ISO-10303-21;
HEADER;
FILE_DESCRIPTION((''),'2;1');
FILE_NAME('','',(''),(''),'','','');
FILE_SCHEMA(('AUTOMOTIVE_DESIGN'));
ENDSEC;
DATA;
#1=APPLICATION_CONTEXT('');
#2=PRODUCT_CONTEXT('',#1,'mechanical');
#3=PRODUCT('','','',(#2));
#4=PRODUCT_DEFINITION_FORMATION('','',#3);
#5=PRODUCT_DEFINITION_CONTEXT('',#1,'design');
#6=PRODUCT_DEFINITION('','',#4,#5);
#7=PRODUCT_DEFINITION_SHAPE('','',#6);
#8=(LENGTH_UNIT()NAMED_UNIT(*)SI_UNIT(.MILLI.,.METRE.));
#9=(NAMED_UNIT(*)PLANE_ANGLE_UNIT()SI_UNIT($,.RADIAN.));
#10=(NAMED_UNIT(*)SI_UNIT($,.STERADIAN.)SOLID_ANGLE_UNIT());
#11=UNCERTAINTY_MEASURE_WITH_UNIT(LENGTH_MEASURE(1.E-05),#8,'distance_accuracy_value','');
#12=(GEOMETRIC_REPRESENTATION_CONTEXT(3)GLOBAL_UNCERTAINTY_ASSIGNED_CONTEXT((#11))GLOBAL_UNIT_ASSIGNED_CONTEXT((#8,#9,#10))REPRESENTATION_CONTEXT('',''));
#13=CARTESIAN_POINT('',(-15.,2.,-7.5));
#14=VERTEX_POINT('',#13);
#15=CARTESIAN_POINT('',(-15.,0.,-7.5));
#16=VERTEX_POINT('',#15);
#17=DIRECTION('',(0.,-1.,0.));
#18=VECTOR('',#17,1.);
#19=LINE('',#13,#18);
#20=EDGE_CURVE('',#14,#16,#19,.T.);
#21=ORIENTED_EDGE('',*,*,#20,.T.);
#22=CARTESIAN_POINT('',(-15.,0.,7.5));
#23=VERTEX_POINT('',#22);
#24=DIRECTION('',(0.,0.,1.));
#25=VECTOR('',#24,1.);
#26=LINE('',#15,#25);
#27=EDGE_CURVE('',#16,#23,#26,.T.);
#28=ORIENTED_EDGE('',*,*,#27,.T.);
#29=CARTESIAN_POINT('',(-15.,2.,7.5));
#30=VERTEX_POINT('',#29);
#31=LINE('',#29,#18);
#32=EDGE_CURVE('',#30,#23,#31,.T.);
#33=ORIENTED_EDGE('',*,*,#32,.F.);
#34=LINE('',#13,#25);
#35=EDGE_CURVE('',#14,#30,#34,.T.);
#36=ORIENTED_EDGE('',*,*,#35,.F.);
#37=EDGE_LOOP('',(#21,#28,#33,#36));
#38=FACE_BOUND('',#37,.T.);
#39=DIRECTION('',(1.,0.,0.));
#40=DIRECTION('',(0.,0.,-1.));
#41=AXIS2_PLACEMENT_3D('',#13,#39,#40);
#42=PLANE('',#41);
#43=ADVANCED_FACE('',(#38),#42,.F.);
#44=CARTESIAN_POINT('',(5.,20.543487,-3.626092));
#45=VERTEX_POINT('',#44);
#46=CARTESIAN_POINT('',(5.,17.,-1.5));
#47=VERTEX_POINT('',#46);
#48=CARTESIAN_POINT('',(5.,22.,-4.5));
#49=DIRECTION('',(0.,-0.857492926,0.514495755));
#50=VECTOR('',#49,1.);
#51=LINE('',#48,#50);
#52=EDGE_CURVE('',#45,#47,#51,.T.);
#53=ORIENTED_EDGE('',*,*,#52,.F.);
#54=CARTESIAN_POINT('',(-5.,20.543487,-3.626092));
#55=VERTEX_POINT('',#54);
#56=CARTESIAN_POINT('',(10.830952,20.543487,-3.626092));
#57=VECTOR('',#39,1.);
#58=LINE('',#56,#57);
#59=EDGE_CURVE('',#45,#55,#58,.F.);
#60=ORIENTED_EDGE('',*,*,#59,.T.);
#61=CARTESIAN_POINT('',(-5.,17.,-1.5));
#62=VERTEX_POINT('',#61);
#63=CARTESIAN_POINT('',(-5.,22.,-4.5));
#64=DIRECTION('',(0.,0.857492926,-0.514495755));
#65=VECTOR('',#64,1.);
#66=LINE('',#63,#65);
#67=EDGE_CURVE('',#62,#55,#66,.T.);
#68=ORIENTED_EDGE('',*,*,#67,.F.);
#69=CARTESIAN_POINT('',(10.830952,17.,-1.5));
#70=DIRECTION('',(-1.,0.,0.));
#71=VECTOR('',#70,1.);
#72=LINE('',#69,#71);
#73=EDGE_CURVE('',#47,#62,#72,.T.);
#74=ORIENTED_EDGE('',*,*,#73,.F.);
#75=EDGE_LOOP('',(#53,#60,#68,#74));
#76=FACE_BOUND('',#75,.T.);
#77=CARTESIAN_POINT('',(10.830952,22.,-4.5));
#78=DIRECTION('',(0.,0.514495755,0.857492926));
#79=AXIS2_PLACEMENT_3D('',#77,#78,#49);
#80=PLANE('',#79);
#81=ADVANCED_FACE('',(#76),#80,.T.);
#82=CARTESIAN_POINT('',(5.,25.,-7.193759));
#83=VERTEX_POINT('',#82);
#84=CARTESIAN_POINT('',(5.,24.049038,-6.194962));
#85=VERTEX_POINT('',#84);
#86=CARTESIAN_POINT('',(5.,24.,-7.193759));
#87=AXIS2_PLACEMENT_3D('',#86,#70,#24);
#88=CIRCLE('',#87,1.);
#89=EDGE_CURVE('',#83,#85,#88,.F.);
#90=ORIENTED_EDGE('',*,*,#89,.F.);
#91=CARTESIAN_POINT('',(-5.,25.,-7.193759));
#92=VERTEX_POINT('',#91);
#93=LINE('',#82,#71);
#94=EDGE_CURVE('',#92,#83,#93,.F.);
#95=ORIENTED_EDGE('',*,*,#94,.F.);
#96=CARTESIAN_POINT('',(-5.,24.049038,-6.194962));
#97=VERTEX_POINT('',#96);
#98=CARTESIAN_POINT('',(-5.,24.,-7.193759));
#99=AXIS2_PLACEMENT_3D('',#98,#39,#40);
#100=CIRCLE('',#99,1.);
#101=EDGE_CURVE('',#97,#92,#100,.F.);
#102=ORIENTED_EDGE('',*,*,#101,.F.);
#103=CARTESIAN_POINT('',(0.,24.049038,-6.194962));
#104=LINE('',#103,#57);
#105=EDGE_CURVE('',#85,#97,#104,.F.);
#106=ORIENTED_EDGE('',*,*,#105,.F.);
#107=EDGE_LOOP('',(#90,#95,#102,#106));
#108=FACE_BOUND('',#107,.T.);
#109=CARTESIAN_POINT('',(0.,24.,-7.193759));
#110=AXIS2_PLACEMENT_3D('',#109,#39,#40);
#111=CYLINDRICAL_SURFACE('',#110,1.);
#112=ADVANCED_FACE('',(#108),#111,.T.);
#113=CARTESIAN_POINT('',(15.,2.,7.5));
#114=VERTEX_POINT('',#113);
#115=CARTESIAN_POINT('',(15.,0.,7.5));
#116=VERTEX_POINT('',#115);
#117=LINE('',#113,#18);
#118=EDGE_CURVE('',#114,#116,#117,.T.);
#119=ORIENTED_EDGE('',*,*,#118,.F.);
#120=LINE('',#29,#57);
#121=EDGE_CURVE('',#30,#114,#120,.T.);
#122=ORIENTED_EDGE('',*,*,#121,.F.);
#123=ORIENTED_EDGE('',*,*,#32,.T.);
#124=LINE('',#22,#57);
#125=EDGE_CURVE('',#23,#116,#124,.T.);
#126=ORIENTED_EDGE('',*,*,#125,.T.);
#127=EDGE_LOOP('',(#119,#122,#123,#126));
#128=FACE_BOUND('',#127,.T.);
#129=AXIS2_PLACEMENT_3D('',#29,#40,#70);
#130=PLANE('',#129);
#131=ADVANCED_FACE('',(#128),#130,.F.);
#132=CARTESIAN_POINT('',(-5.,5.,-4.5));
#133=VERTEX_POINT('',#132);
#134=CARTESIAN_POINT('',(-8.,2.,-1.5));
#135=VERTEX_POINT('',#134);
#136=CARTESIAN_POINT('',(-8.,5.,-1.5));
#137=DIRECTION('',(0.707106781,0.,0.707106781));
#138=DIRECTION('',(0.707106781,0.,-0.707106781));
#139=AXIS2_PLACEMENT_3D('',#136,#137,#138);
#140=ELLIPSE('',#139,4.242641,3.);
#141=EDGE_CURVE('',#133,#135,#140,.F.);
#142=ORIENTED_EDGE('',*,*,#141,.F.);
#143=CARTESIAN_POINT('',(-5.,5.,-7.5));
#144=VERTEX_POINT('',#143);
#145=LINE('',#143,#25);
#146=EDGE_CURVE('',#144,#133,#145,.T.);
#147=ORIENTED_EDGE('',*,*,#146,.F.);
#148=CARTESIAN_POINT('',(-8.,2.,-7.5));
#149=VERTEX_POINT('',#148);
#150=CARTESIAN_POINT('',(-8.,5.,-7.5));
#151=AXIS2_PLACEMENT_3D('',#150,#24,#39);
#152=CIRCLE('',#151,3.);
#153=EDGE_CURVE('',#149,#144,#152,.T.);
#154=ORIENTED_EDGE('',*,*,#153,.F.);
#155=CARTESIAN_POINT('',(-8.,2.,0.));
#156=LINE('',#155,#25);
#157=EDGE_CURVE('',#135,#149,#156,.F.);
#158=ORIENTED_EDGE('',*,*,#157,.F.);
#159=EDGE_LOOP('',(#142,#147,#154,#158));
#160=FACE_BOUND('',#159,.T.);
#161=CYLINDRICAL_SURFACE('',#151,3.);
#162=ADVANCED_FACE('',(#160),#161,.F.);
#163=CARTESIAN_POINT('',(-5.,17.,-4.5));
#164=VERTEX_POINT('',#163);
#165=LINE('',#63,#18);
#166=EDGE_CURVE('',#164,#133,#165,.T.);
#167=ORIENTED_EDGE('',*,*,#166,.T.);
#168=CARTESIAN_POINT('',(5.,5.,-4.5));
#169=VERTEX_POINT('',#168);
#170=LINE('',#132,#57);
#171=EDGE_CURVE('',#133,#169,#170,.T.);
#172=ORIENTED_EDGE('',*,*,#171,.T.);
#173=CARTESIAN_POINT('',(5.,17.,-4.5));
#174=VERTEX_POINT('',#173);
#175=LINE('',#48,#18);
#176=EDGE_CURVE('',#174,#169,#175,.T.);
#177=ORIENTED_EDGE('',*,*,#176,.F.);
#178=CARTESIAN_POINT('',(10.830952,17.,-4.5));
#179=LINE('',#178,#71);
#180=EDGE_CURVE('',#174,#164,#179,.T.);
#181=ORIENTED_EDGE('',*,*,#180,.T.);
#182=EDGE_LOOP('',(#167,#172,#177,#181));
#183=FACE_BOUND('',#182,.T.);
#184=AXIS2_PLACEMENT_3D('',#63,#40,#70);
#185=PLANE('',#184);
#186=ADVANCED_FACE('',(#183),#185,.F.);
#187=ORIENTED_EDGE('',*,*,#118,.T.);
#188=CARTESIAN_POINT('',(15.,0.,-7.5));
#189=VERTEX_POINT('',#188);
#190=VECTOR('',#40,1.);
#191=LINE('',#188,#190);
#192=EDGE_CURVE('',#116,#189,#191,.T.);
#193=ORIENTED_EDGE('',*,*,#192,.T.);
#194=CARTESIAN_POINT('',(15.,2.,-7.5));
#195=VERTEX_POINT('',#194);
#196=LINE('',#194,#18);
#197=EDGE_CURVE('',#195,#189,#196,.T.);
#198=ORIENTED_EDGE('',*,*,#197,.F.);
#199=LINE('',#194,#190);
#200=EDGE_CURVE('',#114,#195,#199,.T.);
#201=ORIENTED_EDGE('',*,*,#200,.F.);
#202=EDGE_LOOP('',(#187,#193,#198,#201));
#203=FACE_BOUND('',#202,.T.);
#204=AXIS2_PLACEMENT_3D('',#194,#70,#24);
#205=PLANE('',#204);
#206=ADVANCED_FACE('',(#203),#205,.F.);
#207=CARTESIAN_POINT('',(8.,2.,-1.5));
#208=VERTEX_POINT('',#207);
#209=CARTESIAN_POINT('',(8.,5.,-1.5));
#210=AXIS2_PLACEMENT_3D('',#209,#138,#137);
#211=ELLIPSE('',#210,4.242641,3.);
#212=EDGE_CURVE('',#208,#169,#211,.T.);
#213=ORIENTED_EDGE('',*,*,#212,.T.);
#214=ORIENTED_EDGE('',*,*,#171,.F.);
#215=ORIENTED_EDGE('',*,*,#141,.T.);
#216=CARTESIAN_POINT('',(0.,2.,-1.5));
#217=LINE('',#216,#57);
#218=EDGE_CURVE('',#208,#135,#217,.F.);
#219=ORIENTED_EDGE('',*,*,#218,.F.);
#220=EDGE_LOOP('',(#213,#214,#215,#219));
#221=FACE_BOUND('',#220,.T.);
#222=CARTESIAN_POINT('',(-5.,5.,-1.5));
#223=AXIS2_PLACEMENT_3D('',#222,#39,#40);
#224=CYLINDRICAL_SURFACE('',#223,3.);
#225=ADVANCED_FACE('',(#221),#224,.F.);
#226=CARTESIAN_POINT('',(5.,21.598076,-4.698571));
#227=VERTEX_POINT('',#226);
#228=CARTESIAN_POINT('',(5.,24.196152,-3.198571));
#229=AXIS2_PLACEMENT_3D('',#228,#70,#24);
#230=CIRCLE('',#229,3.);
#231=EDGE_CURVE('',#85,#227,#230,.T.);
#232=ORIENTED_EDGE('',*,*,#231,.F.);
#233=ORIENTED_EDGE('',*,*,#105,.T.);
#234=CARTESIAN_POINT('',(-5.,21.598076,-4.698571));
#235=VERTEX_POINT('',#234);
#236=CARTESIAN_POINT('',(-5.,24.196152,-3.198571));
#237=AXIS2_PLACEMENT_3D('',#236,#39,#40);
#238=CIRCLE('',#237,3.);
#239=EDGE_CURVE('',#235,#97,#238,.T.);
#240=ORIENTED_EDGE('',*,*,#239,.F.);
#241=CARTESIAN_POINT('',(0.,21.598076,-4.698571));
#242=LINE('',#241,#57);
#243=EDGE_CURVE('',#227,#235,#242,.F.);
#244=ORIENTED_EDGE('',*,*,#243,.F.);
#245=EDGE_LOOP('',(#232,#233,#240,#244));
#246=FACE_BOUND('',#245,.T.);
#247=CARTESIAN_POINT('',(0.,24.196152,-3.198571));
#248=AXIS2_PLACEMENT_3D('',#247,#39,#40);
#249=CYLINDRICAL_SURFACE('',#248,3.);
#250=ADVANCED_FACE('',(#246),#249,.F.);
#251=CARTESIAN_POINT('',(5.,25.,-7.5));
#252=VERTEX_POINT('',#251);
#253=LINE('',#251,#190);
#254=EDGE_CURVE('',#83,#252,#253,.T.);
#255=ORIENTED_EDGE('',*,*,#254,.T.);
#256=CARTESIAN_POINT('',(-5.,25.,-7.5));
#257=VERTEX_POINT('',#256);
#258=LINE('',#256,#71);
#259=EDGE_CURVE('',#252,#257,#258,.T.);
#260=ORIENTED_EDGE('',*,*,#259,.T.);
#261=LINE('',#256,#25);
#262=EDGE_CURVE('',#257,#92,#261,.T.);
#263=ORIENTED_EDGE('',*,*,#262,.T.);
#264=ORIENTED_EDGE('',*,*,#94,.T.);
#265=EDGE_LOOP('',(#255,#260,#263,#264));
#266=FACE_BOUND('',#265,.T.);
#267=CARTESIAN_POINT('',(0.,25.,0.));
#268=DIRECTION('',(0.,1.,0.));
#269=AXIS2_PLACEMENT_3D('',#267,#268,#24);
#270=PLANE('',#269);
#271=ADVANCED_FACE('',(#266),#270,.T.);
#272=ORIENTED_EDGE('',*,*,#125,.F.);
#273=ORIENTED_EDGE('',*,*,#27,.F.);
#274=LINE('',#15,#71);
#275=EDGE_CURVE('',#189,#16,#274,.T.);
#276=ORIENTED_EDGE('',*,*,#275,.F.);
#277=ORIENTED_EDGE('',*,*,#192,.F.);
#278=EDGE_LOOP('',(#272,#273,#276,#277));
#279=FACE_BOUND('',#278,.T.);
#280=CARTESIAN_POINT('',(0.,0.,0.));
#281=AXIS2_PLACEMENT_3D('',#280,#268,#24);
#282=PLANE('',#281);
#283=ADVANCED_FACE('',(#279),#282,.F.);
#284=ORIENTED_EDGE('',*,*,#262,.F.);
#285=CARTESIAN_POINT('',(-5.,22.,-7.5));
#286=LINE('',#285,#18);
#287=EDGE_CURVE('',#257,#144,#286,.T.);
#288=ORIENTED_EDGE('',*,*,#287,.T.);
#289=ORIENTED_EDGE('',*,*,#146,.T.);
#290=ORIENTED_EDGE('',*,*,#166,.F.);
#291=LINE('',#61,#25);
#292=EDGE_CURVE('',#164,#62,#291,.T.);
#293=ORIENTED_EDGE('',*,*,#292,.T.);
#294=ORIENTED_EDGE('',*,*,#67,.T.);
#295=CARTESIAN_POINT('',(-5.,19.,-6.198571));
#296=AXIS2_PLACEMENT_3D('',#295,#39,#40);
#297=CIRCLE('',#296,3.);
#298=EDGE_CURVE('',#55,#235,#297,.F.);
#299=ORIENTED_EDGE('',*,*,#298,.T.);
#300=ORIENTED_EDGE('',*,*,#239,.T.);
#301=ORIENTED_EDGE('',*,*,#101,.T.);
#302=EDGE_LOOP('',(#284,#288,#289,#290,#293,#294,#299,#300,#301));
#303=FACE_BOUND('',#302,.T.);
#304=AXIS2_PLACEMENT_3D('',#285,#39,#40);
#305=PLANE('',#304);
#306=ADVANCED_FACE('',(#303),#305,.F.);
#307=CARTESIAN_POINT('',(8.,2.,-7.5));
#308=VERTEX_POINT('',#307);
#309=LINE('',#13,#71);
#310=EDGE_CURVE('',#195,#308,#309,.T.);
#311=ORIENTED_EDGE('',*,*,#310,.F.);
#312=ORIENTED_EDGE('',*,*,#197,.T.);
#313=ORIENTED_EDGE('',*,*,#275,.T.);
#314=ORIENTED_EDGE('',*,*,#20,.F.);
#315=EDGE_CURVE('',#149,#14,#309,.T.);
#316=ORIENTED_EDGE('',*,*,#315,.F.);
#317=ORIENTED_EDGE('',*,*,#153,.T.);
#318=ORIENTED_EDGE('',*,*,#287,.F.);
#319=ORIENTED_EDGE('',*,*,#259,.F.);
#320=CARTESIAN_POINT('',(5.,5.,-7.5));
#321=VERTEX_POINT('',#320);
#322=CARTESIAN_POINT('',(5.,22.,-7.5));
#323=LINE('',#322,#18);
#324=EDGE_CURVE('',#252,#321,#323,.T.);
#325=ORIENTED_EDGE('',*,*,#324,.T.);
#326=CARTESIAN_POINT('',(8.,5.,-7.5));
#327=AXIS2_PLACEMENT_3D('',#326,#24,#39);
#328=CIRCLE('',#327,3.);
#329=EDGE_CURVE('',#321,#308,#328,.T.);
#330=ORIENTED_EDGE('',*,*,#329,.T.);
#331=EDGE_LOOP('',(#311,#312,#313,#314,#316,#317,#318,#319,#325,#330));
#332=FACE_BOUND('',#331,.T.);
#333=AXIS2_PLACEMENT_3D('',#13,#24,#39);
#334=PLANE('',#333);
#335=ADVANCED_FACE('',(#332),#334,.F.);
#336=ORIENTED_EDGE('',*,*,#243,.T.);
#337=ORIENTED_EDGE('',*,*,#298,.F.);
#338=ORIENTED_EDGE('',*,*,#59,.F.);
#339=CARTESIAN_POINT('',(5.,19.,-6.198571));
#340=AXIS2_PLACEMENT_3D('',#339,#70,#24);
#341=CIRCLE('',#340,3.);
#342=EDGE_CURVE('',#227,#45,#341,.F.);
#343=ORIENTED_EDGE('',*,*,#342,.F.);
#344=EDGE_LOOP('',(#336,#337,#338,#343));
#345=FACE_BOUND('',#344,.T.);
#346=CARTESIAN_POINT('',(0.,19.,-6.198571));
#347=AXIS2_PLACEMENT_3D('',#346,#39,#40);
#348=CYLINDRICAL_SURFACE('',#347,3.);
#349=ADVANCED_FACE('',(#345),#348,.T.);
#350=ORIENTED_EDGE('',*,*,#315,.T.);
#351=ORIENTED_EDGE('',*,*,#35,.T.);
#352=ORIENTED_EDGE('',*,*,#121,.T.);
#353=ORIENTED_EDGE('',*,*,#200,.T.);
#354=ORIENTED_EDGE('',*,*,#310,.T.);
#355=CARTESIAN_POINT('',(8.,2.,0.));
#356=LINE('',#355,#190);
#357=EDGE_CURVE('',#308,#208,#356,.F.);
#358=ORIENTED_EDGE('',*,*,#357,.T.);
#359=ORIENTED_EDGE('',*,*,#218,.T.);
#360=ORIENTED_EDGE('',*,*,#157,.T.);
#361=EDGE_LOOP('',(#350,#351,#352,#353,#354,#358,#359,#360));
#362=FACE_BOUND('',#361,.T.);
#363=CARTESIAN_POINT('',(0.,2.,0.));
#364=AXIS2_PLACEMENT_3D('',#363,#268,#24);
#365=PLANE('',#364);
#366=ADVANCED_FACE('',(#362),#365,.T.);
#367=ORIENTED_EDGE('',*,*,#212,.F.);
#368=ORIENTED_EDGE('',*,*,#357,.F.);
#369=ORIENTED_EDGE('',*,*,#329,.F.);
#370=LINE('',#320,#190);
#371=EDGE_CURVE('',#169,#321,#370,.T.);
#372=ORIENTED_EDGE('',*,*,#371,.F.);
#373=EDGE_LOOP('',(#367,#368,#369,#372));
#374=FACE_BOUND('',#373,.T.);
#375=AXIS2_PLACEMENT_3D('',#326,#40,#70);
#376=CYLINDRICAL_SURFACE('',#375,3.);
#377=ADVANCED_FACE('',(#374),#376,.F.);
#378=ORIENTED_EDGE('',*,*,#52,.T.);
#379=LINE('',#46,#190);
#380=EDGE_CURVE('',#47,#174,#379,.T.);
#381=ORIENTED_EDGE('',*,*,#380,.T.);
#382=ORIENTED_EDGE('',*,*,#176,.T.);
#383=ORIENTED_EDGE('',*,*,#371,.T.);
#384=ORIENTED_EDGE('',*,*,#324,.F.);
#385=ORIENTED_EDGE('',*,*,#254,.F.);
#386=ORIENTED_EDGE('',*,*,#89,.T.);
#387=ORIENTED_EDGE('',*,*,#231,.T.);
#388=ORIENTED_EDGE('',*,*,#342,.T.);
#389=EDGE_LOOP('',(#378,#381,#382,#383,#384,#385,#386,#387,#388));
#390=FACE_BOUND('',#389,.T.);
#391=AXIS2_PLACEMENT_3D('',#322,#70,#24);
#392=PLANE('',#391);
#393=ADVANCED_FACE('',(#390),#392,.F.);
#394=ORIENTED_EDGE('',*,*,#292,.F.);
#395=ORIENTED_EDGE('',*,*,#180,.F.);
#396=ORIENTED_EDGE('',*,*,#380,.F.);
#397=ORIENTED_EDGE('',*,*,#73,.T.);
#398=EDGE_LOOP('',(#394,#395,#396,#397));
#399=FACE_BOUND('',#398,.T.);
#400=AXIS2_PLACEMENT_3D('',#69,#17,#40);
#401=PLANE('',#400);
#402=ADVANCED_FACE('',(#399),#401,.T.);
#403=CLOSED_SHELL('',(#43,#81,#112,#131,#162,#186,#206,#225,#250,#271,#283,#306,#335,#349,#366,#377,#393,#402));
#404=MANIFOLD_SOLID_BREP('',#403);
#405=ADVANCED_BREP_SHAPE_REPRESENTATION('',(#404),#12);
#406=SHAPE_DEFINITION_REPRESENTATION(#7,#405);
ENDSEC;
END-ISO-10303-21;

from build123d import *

# Parameters (mm, degrees)
SKETCH_1_W      = 30
SKETCH_1_H      = 15
EXTRUDE_1_DEPTH = 2
SKETCH_2_W      = 10
SKETCH_2_H      = 3
EXTRUDE_2_DEPTH = 20
EXTRUDE_3_DEPTH = 10
FILLET_2_R      = 3
FILLET_3_R      = 3
FILLET_4_R      = 3
SKETCH_5_W      = 10
SKETCH_5_H      = 1.301428863
EXTRUDE_4_DEPTH = 3
FILLET_5_R      = 3
FILLET_6_R      = 1


with BuildPart() as part:
    # Эскиз1 → Бобышка-Вытянуть1 (new body)
    with BuildSketch(Plane(origin=(0, 0, 0), x_dir=(1, 0, 0), z_dir=(0, 1, 0))):
        Rectangle(SKETCH_1_W, SKETCH_1_H)
    extrude(amount=EXTRUDE_1_DEPTH)

    # Эскиз2 → Бобышка-Вытянуть2 (add)
    with BuildSketch(Plane(origin=(0, 2, 0), x_dir=(1, 0, 0), z_dir=(0, 1, 0))):
        with Locations((0, 6)):
            Rectangle(SKETCH_2_W, SKETCH_2_H)
    extrude(amount=EXTRUDE_2_DEPTH)

    # Эскиз3 → Бобышка-Вытянуть3 (add)
    with BuildSketch(Plane.ZY.offset(5)):
        Polygon((-4.5, 22), (-1.5, 17), (-4.5, 17), align=None)
    extrude(amount=-EXTRUDE_3_DEPTH)

    # Скругление2
    fillet_2_edges = [part.edges().sort_by_distance(p)[0] for p in [
        (0, 22, -4.5),
    ]]
    fillet(fillet_2_edges, radius=FILLET_2_R)

    # Скругление3
    fillet_3_edges = [part.edges().sort_by_distance(p)[0] for p in [
        (0, 2, -4.5),
    ]]
    fillet(fillet_3_edges, radius=FILLET_3_R)

    # Скругление4
    fillet_4_edges = [part.edges().sort_by_distance(p)[0] for p in [
        (-5, 2, -4.5),
        (5, 2, -4.5),
    ]]
    fillet(fillet_4_edges, radius=FILLET_4_R)

    # Эскиз5 → Бобышка-Вытянуть4 (add)
    with BuildSketch(Plane(origin=(0, 22, 0), x_dir=(1, 0, 0), z_dir=(0, 1, 0))):
        with Locations((0, 6.849285569)):
            Rectangle(SKETCH_5_W, SKETCH_5_H)
    extrude(amount=EXTRUDE_4_DEPTH)

    # Скругление5
    fillet_5_edges = [part.edges().sort_by_distance(p)[0] for p in [
        (0, 22, -6.198571137),
    ]]
    fillet(fillet_5_edges, radius=FILLET_5_R)

    # Скругление6
    fillet_6_edges = [part.edges().sort_by_distance(p)[0] for p in [
        (0, 25, -6.198571137),
    ]]
    fillet(fillet_6_edges, radius=FILLET_6_R)


solid = part.part
